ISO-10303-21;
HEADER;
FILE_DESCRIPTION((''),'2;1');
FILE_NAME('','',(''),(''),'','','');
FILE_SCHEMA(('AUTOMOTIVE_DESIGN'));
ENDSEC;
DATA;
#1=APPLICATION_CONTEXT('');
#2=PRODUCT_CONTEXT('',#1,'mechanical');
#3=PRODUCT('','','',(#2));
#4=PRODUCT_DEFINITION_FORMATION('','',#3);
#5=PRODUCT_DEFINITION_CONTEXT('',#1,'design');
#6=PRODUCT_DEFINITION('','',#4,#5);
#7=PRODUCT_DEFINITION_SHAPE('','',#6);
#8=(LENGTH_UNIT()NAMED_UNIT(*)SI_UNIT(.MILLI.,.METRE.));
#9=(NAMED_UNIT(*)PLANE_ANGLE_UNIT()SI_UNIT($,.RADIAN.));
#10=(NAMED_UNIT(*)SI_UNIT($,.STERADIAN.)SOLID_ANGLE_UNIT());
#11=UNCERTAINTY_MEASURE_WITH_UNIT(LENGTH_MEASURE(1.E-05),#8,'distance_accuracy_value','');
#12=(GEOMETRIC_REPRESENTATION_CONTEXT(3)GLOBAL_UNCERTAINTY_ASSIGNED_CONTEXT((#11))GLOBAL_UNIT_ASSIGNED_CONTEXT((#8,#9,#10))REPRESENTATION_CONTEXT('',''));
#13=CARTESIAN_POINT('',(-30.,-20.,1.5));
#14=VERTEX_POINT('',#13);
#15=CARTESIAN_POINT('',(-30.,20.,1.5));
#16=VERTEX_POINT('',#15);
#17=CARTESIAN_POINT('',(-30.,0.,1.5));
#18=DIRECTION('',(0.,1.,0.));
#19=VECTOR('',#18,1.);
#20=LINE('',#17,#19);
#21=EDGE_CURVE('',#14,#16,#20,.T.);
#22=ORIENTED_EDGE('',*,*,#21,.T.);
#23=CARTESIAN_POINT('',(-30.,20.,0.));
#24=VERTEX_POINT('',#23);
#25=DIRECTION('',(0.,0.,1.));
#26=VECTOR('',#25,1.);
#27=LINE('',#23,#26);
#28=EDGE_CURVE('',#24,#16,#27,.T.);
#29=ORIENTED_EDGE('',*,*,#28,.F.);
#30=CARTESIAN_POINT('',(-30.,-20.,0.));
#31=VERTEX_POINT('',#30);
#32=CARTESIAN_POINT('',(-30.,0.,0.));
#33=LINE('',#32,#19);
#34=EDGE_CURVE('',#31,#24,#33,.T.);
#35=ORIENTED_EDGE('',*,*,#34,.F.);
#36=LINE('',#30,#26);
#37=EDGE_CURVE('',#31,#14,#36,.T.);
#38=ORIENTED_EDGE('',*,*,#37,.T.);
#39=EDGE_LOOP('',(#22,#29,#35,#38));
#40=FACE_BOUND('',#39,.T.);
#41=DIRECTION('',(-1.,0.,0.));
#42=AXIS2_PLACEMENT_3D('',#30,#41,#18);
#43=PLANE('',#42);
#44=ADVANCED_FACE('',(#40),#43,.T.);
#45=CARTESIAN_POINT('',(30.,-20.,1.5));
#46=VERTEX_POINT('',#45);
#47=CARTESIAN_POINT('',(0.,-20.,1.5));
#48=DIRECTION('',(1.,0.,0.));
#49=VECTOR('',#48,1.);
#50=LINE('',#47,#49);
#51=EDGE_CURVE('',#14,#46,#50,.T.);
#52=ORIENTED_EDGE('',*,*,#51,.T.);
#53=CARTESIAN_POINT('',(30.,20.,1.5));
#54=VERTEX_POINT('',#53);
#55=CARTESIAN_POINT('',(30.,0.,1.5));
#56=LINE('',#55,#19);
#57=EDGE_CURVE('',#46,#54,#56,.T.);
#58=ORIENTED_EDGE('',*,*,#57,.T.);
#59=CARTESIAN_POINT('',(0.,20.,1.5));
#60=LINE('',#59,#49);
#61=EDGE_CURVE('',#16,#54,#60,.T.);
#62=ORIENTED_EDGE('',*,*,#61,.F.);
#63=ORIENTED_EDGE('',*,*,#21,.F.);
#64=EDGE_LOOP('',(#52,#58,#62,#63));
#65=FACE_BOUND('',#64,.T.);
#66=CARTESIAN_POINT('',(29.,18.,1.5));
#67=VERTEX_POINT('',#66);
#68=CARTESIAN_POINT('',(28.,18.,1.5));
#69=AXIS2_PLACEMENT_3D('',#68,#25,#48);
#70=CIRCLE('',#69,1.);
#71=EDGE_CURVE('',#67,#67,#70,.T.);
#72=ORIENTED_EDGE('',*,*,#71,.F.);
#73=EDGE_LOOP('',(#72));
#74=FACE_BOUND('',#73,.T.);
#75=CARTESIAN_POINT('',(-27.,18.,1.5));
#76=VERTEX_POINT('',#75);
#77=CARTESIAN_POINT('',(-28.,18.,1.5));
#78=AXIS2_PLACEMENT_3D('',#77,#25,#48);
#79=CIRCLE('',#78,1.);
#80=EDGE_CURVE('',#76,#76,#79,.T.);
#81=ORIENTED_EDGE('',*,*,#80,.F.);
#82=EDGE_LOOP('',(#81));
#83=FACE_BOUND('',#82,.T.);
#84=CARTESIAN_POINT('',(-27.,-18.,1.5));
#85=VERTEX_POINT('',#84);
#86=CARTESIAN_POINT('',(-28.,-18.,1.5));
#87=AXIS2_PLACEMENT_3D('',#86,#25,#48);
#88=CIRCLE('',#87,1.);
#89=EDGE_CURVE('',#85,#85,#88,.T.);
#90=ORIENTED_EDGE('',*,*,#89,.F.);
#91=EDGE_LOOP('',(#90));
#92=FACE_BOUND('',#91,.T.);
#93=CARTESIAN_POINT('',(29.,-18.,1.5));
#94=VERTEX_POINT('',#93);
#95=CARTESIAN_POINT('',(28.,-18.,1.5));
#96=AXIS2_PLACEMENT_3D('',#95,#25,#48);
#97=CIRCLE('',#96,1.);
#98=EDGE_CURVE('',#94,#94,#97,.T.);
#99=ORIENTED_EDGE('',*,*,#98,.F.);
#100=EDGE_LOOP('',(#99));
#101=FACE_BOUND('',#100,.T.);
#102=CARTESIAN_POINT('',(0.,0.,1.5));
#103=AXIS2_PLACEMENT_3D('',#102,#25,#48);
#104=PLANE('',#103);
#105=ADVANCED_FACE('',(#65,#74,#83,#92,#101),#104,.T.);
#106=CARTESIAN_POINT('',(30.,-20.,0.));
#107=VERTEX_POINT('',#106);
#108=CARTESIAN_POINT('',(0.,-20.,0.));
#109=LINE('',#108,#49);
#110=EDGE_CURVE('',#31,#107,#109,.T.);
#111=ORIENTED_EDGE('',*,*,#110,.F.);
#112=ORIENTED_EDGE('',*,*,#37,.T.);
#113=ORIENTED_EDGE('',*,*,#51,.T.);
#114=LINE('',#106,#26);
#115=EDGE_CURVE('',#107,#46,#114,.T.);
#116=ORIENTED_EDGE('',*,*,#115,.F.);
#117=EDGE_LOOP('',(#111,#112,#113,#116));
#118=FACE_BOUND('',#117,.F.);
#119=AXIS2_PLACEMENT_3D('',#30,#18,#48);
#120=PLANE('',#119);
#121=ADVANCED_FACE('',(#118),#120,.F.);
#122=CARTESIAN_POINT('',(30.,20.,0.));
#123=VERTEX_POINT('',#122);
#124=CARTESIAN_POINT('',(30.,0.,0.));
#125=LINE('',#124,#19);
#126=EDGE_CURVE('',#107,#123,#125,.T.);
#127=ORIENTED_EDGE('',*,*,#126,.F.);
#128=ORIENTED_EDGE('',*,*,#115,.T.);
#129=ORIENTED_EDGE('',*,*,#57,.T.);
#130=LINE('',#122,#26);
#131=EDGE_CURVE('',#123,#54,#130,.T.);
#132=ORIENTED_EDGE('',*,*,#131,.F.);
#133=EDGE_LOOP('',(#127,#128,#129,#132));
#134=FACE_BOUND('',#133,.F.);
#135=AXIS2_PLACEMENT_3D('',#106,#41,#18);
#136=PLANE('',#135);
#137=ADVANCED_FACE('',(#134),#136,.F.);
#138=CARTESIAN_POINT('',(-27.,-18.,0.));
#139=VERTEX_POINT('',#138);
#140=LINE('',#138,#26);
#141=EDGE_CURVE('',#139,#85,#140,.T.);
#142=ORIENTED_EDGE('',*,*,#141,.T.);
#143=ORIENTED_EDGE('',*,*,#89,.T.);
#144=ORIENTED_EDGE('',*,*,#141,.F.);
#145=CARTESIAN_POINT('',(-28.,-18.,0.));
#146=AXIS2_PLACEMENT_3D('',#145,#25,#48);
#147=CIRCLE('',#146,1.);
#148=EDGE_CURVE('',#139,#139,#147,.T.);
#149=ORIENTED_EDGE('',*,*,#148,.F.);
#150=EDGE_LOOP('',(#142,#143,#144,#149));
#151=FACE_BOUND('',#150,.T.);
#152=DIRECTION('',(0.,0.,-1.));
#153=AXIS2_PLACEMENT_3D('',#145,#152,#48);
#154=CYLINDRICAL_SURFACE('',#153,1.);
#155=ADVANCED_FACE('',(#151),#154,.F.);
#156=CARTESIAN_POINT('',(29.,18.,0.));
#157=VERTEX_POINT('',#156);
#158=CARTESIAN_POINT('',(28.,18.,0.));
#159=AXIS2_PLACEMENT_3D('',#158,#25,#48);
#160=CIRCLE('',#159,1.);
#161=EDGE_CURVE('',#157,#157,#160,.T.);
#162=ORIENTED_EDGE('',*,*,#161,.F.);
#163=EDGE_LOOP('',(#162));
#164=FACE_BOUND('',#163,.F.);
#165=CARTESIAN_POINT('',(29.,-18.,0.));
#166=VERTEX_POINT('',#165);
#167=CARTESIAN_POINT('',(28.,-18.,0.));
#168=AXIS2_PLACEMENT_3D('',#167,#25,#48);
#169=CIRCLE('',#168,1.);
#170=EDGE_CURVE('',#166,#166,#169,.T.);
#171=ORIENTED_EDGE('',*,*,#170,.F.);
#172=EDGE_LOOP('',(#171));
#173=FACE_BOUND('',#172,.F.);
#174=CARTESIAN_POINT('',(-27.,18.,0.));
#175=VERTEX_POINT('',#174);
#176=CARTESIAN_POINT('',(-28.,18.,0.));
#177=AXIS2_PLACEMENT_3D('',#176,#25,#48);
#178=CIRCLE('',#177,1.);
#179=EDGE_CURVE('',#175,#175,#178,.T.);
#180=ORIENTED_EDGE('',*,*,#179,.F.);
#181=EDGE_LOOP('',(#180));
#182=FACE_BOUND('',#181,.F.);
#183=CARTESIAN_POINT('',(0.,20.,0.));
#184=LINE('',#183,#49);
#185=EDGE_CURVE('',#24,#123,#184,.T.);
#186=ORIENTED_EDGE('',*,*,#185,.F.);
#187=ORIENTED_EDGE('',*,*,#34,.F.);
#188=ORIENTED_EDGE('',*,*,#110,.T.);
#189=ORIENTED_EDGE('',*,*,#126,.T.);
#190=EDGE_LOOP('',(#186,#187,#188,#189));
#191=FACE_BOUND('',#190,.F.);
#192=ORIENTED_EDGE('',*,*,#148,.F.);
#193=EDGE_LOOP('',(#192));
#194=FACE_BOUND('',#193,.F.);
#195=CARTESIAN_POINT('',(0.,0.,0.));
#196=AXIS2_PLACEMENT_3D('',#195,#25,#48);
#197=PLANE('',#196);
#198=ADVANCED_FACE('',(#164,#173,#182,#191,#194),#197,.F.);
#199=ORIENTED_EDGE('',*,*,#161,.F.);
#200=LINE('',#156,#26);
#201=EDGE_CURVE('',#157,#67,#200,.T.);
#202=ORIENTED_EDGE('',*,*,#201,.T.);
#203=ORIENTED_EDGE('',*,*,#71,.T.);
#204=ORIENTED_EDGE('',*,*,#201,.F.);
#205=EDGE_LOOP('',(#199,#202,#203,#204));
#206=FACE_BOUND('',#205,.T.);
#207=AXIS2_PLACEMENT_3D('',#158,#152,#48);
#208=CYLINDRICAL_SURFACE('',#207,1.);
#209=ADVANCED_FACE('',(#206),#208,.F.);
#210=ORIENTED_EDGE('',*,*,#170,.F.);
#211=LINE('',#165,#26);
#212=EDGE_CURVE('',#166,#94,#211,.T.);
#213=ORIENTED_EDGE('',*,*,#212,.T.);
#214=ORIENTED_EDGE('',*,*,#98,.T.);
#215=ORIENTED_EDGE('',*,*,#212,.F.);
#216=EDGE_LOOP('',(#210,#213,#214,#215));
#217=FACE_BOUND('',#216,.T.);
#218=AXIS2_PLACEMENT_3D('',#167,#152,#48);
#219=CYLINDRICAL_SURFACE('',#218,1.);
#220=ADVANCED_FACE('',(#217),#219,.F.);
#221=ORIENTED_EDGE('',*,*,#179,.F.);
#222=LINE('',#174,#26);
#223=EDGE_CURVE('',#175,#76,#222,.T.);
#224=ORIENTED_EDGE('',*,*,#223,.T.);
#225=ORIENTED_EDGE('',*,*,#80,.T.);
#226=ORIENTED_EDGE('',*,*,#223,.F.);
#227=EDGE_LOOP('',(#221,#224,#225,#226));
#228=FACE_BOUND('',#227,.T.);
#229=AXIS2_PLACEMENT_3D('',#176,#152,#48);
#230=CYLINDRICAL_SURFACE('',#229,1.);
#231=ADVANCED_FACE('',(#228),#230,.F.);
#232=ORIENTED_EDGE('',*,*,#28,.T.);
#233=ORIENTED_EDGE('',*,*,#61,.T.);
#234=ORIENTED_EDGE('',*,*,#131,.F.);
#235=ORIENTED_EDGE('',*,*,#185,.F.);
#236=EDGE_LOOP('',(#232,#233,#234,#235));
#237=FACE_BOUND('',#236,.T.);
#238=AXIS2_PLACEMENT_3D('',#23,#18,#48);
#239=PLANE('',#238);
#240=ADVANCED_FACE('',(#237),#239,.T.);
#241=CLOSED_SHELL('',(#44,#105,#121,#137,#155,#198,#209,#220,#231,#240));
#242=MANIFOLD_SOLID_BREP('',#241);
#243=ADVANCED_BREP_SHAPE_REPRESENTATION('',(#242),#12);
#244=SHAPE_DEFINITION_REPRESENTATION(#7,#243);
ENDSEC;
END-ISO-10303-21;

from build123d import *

# Parameters (mm, degrees)
F1_W     = 60
F1_H     = 40
F2_DEPTH = 1.5
F3_R     = 1
F4_DEPTH = 1.5


with BuildPart() as f2:
    # F1 (on Top) → F2 (new body)
    with BuildSketch(Plane.XY):
        Rectangle(F1_W, F1_H)
    extrude(amount=F2_DEPTH)

    # F3 (on face) → F4 (cut, through all)
    with BuildSketch(Plane.XY):
        with Locations((-28, 18)):
            Circle(F3_R)
        with Locations((28, 18)):
            Circle(F3_R)
        with Locations((28, -18)):
            Circle(F3_R)
        with Locations((-28, -18)):
            Circle(F3_R)
    extrude(amount=F4_DEPTH, mode=Mode.SUBTRACT)


solid = f2.part
